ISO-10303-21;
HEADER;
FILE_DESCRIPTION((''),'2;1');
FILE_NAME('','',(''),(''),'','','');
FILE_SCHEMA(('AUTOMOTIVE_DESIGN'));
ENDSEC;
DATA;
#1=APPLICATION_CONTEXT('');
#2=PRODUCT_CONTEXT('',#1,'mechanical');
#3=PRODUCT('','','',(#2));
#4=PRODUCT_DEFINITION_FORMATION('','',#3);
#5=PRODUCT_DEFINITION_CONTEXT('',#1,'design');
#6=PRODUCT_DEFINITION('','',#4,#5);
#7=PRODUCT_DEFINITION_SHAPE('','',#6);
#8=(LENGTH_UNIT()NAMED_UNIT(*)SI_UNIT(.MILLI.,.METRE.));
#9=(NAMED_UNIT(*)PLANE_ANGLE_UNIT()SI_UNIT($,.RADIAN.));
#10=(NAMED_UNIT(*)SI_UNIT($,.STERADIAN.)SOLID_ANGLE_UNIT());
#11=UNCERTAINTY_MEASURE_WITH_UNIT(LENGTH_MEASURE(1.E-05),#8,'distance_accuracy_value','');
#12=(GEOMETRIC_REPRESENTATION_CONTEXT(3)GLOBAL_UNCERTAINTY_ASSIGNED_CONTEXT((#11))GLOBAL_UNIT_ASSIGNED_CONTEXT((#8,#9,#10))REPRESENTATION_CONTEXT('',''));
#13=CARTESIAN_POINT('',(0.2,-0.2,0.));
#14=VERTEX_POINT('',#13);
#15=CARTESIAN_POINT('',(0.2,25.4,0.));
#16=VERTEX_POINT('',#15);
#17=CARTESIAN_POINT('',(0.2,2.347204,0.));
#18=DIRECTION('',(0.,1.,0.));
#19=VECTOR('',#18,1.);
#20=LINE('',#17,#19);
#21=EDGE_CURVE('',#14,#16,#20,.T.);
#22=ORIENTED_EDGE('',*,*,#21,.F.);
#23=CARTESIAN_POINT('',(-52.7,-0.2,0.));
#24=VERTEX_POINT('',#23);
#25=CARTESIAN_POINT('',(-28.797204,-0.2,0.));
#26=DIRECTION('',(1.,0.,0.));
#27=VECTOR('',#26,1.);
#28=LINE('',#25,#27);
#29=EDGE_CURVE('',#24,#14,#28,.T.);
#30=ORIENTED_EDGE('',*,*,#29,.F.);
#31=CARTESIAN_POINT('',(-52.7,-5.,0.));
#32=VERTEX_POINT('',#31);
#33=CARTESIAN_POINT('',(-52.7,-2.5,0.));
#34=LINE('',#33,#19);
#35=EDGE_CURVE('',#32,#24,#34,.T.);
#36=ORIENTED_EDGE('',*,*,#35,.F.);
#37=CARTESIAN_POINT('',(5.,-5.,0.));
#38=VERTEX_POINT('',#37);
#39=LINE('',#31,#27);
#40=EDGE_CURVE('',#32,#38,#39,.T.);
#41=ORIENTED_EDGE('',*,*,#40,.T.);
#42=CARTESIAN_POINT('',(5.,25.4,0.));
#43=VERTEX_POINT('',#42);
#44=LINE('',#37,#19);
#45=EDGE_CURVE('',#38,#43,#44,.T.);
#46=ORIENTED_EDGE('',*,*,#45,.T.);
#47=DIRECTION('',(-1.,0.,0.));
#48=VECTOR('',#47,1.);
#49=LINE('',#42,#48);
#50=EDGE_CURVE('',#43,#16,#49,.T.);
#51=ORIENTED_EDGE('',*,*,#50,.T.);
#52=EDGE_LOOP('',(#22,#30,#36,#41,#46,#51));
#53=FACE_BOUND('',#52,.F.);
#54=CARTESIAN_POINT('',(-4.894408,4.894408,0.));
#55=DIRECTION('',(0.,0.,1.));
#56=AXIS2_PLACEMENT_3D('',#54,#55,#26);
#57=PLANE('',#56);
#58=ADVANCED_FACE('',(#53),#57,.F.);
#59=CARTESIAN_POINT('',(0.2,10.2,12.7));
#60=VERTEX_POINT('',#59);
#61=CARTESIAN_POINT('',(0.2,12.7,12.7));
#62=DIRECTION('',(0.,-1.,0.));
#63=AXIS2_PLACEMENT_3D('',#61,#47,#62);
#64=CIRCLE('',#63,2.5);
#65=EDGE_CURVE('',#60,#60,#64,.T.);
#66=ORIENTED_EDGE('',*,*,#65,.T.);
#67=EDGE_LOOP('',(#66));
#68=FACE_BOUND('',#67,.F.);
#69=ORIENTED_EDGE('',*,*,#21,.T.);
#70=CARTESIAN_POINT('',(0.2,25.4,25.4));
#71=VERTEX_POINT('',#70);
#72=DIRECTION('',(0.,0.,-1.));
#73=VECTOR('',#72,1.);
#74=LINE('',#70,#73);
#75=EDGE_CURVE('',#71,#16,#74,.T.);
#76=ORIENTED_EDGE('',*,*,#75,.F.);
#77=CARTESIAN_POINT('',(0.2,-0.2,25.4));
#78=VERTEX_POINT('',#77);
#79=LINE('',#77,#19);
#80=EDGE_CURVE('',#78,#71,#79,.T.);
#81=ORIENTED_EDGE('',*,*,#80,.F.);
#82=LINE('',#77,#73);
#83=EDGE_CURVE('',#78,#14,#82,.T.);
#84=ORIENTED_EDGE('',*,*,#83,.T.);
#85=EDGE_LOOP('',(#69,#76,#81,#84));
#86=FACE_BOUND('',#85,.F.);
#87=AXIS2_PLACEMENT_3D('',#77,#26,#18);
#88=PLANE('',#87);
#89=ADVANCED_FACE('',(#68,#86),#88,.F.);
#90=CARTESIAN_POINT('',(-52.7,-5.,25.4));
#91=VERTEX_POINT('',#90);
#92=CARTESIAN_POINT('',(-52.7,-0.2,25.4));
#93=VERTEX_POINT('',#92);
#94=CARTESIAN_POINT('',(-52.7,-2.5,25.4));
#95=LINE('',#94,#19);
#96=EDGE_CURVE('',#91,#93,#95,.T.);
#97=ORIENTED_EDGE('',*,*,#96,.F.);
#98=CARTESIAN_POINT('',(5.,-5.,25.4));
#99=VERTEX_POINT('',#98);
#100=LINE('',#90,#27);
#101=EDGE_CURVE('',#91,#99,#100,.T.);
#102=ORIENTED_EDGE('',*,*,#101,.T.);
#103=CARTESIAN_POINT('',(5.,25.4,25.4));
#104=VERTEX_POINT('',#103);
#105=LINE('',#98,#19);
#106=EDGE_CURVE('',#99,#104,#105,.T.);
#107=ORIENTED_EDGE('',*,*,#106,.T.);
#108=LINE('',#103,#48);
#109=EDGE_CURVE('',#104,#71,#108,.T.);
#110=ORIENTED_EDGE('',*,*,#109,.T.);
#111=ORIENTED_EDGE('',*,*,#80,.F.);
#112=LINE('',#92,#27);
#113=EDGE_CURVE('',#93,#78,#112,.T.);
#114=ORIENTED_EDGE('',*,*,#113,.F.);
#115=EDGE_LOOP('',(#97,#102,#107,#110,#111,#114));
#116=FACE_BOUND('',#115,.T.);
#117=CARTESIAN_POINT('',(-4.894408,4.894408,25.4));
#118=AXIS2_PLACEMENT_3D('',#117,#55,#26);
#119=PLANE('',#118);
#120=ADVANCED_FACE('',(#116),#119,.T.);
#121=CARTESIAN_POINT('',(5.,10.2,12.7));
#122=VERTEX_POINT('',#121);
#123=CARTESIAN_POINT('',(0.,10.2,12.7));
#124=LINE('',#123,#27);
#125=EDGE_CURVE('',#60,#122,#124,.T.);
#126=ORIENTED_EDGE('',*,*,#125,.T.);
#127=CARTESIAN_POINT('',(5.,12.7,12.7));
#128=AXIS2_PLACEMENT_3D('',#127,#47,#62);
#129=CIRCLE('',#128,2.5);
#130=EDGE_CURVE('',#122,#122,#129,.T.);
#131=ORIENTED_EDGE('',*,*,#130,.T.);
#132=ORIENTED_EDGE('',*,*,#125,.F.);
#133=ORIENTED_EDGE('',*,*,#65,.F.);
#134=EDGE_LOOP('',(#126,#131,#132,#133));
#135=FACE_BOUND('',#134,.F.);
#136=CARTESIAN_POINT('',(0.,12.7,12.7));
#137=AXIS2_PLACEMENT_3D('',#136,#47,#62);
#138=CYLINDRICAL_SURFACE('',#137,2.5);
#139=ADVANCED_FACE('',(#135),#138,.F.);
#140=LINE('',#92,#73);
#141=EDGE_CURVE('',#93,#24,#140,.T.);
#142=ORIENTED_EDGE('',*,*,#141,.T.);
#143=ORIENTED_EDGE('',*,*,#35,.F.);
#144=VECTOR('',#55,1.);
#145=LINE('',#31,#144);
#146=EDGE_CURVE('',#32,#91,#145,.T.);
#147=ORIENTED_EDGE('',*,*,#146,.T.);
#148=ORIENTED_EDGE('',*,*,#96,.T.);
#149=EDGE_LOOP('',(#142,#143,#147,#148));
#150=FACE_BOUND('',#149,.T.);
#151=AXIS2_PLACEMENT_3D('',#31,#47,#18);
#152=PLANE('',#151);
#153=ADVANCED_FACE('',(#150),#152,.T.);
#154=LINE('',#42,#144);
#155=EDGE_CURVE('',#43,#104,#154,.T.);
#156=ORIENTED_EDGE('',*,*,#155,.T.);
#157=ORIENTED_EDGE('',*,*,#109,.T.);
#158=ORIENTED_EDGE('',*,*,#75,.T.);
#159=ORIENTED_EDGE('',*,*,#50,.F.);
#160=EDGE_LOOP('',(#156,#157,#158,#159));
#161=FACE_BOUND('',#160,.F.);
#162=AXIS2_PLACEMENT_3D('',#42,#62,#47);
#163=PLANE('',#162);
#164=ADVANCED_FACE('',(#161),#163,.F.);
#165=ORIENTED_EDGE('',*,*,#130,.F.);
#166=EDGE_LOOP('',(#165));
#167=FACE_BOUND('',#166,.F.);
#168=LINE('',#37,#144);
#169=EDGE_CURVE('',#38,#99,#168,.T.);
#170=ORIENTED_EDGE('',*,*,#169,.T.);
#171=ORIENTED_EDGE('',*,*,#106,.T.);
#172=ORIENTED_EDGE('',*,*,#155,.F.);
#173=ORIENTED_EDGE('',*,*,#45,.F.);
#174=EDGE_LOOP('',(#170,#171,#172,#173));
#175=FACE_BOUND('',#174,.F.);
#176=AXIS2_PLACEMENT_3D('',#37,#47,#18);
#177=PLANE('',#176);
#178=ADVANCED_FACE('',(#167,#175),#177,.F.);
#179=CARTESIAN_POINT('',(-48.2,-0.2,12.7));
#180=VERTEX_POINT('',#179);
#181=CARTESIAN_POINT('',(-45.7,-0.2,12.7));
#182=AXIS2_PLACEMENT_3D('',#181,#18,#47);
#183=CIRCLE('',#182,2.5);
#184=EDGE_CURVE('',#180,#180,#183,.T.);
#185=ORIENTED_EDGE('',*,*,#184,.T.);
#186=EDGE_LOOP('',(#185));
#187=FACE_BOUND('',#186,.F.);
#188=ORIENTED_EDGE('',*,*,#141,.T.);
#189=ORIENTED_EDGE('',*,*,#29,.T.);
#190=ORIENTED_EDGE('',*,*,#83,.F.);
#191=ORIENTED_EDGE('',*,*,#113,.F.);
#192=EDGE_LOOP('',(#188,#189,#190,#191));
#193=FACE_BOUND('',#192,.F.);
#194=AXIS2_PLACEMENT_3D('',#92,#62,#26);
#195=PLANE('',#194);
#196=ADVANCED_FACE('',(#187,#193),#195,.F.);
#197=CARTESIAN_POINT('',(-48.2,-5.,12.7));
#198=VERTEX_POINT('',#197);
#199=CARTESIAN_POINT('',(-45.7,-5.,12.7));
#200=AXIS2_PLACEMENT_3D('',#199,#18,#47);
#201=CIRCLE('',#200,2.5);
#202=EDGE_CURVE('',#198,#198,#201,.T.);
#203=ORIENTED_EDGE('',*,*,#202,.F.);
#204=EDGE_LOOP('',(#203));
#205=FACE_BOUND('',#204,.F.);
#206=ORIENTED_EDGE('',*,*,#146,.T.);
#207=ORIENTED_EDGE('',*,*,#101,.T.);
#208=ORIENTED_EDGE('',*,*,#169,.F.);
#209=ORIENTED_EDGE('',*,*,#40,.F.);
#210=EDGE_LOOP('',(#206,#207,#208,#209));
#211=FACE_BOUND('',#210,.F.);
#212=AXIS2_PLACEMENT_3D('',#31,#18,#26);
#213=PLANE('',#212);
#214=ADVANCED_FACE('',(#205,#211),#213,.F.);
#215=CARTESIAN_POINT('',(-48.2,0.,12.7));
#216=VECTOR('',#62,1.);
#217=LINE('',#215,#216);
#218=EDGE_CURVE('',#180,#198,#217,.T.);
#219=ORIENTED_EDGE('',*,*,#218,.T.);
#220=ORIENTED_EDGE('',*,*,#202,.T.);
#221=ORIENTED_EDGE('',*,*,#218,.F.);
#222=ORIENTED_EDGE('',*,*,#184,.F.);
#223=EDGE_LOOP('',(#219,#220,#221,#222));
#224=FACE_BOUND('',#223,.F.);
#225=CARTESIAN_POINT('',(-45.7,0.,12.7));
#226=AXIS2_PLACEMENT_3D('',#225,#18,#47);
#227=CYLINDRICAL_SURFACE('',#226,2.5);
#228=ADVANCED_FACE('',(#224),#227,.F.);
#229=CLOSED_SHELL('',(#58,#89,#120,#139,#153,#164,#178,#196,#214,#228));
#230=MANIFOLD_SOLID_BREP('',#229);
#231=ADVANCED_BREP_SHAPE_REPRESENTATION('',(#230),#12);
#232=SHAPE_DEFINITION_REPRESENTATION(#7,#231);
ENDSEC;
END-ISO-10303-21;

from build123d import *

# Parameters (mm, degrees)
F0_W     = 27.3
F0_H     = 5
F1_DEPTH = 25.4
F2_R     = 2.5
F3_DEPTH = 5.001
F4_R     = 2.5
F5_DEPTH = 5.001
F6_W     = 52.7
F6_H     = 0.2
F7_DEPTH = 25.401


with BuildPart() as f1:
    # F0 (on Top) → F1 (new body)
    with BuildSketch(Plane.XY):
        Polygon((5, 25.4), (0, 25.4), (0, 0), (-25.4, 0), (-25.4, -5), (5, -5), (5, 0), align=None)
        with Locations((-39.05, -2.5)):
            Rectangle(F0_W, F0_H)
    extrude(amount=F1_DEPTH)

    # F2 (on face) → F3 (cut, through all)
    with BuildSketch(Plane(origin=(0, 0, 0), x_dir=(0, -1, 0), z_dir=(-1, 0, 0))):
        with Locations((-12.7, 12.7)):
            Circle(F2_R)
    extrude(amount=-F3_DEPTH, mode=Mode.SUBTRACT)

    # F4 (on face) → F5 (cut, through all)
    with BuildSketch(Plane(origin=(0, 0, 0), x_dir=(-1, 0, 0), z_dir=(0, 1, 0))):
        with Locations((45.7, 12.7)):
            Circle(F4_R)
    extrude(amount=-F5_DEPTH, mode=Mode.SUBTRACT)

    # F6 (on face) → F7 (cut, through all)
    with BuildSketch(Plane.XY.offset(25.4)):
        with Locations((-26.35, -0.1)):
            Rectangle(F6_W, F6_H)
        Polygon((0, 25.4), (0, 0), (0, -0.2), (0.2, -0.2), (0.2, 25.4), align=None)
    extrude(amount=-F7_DEPTH, mode=Mode.SUBTRACT)


solid = f1.part
